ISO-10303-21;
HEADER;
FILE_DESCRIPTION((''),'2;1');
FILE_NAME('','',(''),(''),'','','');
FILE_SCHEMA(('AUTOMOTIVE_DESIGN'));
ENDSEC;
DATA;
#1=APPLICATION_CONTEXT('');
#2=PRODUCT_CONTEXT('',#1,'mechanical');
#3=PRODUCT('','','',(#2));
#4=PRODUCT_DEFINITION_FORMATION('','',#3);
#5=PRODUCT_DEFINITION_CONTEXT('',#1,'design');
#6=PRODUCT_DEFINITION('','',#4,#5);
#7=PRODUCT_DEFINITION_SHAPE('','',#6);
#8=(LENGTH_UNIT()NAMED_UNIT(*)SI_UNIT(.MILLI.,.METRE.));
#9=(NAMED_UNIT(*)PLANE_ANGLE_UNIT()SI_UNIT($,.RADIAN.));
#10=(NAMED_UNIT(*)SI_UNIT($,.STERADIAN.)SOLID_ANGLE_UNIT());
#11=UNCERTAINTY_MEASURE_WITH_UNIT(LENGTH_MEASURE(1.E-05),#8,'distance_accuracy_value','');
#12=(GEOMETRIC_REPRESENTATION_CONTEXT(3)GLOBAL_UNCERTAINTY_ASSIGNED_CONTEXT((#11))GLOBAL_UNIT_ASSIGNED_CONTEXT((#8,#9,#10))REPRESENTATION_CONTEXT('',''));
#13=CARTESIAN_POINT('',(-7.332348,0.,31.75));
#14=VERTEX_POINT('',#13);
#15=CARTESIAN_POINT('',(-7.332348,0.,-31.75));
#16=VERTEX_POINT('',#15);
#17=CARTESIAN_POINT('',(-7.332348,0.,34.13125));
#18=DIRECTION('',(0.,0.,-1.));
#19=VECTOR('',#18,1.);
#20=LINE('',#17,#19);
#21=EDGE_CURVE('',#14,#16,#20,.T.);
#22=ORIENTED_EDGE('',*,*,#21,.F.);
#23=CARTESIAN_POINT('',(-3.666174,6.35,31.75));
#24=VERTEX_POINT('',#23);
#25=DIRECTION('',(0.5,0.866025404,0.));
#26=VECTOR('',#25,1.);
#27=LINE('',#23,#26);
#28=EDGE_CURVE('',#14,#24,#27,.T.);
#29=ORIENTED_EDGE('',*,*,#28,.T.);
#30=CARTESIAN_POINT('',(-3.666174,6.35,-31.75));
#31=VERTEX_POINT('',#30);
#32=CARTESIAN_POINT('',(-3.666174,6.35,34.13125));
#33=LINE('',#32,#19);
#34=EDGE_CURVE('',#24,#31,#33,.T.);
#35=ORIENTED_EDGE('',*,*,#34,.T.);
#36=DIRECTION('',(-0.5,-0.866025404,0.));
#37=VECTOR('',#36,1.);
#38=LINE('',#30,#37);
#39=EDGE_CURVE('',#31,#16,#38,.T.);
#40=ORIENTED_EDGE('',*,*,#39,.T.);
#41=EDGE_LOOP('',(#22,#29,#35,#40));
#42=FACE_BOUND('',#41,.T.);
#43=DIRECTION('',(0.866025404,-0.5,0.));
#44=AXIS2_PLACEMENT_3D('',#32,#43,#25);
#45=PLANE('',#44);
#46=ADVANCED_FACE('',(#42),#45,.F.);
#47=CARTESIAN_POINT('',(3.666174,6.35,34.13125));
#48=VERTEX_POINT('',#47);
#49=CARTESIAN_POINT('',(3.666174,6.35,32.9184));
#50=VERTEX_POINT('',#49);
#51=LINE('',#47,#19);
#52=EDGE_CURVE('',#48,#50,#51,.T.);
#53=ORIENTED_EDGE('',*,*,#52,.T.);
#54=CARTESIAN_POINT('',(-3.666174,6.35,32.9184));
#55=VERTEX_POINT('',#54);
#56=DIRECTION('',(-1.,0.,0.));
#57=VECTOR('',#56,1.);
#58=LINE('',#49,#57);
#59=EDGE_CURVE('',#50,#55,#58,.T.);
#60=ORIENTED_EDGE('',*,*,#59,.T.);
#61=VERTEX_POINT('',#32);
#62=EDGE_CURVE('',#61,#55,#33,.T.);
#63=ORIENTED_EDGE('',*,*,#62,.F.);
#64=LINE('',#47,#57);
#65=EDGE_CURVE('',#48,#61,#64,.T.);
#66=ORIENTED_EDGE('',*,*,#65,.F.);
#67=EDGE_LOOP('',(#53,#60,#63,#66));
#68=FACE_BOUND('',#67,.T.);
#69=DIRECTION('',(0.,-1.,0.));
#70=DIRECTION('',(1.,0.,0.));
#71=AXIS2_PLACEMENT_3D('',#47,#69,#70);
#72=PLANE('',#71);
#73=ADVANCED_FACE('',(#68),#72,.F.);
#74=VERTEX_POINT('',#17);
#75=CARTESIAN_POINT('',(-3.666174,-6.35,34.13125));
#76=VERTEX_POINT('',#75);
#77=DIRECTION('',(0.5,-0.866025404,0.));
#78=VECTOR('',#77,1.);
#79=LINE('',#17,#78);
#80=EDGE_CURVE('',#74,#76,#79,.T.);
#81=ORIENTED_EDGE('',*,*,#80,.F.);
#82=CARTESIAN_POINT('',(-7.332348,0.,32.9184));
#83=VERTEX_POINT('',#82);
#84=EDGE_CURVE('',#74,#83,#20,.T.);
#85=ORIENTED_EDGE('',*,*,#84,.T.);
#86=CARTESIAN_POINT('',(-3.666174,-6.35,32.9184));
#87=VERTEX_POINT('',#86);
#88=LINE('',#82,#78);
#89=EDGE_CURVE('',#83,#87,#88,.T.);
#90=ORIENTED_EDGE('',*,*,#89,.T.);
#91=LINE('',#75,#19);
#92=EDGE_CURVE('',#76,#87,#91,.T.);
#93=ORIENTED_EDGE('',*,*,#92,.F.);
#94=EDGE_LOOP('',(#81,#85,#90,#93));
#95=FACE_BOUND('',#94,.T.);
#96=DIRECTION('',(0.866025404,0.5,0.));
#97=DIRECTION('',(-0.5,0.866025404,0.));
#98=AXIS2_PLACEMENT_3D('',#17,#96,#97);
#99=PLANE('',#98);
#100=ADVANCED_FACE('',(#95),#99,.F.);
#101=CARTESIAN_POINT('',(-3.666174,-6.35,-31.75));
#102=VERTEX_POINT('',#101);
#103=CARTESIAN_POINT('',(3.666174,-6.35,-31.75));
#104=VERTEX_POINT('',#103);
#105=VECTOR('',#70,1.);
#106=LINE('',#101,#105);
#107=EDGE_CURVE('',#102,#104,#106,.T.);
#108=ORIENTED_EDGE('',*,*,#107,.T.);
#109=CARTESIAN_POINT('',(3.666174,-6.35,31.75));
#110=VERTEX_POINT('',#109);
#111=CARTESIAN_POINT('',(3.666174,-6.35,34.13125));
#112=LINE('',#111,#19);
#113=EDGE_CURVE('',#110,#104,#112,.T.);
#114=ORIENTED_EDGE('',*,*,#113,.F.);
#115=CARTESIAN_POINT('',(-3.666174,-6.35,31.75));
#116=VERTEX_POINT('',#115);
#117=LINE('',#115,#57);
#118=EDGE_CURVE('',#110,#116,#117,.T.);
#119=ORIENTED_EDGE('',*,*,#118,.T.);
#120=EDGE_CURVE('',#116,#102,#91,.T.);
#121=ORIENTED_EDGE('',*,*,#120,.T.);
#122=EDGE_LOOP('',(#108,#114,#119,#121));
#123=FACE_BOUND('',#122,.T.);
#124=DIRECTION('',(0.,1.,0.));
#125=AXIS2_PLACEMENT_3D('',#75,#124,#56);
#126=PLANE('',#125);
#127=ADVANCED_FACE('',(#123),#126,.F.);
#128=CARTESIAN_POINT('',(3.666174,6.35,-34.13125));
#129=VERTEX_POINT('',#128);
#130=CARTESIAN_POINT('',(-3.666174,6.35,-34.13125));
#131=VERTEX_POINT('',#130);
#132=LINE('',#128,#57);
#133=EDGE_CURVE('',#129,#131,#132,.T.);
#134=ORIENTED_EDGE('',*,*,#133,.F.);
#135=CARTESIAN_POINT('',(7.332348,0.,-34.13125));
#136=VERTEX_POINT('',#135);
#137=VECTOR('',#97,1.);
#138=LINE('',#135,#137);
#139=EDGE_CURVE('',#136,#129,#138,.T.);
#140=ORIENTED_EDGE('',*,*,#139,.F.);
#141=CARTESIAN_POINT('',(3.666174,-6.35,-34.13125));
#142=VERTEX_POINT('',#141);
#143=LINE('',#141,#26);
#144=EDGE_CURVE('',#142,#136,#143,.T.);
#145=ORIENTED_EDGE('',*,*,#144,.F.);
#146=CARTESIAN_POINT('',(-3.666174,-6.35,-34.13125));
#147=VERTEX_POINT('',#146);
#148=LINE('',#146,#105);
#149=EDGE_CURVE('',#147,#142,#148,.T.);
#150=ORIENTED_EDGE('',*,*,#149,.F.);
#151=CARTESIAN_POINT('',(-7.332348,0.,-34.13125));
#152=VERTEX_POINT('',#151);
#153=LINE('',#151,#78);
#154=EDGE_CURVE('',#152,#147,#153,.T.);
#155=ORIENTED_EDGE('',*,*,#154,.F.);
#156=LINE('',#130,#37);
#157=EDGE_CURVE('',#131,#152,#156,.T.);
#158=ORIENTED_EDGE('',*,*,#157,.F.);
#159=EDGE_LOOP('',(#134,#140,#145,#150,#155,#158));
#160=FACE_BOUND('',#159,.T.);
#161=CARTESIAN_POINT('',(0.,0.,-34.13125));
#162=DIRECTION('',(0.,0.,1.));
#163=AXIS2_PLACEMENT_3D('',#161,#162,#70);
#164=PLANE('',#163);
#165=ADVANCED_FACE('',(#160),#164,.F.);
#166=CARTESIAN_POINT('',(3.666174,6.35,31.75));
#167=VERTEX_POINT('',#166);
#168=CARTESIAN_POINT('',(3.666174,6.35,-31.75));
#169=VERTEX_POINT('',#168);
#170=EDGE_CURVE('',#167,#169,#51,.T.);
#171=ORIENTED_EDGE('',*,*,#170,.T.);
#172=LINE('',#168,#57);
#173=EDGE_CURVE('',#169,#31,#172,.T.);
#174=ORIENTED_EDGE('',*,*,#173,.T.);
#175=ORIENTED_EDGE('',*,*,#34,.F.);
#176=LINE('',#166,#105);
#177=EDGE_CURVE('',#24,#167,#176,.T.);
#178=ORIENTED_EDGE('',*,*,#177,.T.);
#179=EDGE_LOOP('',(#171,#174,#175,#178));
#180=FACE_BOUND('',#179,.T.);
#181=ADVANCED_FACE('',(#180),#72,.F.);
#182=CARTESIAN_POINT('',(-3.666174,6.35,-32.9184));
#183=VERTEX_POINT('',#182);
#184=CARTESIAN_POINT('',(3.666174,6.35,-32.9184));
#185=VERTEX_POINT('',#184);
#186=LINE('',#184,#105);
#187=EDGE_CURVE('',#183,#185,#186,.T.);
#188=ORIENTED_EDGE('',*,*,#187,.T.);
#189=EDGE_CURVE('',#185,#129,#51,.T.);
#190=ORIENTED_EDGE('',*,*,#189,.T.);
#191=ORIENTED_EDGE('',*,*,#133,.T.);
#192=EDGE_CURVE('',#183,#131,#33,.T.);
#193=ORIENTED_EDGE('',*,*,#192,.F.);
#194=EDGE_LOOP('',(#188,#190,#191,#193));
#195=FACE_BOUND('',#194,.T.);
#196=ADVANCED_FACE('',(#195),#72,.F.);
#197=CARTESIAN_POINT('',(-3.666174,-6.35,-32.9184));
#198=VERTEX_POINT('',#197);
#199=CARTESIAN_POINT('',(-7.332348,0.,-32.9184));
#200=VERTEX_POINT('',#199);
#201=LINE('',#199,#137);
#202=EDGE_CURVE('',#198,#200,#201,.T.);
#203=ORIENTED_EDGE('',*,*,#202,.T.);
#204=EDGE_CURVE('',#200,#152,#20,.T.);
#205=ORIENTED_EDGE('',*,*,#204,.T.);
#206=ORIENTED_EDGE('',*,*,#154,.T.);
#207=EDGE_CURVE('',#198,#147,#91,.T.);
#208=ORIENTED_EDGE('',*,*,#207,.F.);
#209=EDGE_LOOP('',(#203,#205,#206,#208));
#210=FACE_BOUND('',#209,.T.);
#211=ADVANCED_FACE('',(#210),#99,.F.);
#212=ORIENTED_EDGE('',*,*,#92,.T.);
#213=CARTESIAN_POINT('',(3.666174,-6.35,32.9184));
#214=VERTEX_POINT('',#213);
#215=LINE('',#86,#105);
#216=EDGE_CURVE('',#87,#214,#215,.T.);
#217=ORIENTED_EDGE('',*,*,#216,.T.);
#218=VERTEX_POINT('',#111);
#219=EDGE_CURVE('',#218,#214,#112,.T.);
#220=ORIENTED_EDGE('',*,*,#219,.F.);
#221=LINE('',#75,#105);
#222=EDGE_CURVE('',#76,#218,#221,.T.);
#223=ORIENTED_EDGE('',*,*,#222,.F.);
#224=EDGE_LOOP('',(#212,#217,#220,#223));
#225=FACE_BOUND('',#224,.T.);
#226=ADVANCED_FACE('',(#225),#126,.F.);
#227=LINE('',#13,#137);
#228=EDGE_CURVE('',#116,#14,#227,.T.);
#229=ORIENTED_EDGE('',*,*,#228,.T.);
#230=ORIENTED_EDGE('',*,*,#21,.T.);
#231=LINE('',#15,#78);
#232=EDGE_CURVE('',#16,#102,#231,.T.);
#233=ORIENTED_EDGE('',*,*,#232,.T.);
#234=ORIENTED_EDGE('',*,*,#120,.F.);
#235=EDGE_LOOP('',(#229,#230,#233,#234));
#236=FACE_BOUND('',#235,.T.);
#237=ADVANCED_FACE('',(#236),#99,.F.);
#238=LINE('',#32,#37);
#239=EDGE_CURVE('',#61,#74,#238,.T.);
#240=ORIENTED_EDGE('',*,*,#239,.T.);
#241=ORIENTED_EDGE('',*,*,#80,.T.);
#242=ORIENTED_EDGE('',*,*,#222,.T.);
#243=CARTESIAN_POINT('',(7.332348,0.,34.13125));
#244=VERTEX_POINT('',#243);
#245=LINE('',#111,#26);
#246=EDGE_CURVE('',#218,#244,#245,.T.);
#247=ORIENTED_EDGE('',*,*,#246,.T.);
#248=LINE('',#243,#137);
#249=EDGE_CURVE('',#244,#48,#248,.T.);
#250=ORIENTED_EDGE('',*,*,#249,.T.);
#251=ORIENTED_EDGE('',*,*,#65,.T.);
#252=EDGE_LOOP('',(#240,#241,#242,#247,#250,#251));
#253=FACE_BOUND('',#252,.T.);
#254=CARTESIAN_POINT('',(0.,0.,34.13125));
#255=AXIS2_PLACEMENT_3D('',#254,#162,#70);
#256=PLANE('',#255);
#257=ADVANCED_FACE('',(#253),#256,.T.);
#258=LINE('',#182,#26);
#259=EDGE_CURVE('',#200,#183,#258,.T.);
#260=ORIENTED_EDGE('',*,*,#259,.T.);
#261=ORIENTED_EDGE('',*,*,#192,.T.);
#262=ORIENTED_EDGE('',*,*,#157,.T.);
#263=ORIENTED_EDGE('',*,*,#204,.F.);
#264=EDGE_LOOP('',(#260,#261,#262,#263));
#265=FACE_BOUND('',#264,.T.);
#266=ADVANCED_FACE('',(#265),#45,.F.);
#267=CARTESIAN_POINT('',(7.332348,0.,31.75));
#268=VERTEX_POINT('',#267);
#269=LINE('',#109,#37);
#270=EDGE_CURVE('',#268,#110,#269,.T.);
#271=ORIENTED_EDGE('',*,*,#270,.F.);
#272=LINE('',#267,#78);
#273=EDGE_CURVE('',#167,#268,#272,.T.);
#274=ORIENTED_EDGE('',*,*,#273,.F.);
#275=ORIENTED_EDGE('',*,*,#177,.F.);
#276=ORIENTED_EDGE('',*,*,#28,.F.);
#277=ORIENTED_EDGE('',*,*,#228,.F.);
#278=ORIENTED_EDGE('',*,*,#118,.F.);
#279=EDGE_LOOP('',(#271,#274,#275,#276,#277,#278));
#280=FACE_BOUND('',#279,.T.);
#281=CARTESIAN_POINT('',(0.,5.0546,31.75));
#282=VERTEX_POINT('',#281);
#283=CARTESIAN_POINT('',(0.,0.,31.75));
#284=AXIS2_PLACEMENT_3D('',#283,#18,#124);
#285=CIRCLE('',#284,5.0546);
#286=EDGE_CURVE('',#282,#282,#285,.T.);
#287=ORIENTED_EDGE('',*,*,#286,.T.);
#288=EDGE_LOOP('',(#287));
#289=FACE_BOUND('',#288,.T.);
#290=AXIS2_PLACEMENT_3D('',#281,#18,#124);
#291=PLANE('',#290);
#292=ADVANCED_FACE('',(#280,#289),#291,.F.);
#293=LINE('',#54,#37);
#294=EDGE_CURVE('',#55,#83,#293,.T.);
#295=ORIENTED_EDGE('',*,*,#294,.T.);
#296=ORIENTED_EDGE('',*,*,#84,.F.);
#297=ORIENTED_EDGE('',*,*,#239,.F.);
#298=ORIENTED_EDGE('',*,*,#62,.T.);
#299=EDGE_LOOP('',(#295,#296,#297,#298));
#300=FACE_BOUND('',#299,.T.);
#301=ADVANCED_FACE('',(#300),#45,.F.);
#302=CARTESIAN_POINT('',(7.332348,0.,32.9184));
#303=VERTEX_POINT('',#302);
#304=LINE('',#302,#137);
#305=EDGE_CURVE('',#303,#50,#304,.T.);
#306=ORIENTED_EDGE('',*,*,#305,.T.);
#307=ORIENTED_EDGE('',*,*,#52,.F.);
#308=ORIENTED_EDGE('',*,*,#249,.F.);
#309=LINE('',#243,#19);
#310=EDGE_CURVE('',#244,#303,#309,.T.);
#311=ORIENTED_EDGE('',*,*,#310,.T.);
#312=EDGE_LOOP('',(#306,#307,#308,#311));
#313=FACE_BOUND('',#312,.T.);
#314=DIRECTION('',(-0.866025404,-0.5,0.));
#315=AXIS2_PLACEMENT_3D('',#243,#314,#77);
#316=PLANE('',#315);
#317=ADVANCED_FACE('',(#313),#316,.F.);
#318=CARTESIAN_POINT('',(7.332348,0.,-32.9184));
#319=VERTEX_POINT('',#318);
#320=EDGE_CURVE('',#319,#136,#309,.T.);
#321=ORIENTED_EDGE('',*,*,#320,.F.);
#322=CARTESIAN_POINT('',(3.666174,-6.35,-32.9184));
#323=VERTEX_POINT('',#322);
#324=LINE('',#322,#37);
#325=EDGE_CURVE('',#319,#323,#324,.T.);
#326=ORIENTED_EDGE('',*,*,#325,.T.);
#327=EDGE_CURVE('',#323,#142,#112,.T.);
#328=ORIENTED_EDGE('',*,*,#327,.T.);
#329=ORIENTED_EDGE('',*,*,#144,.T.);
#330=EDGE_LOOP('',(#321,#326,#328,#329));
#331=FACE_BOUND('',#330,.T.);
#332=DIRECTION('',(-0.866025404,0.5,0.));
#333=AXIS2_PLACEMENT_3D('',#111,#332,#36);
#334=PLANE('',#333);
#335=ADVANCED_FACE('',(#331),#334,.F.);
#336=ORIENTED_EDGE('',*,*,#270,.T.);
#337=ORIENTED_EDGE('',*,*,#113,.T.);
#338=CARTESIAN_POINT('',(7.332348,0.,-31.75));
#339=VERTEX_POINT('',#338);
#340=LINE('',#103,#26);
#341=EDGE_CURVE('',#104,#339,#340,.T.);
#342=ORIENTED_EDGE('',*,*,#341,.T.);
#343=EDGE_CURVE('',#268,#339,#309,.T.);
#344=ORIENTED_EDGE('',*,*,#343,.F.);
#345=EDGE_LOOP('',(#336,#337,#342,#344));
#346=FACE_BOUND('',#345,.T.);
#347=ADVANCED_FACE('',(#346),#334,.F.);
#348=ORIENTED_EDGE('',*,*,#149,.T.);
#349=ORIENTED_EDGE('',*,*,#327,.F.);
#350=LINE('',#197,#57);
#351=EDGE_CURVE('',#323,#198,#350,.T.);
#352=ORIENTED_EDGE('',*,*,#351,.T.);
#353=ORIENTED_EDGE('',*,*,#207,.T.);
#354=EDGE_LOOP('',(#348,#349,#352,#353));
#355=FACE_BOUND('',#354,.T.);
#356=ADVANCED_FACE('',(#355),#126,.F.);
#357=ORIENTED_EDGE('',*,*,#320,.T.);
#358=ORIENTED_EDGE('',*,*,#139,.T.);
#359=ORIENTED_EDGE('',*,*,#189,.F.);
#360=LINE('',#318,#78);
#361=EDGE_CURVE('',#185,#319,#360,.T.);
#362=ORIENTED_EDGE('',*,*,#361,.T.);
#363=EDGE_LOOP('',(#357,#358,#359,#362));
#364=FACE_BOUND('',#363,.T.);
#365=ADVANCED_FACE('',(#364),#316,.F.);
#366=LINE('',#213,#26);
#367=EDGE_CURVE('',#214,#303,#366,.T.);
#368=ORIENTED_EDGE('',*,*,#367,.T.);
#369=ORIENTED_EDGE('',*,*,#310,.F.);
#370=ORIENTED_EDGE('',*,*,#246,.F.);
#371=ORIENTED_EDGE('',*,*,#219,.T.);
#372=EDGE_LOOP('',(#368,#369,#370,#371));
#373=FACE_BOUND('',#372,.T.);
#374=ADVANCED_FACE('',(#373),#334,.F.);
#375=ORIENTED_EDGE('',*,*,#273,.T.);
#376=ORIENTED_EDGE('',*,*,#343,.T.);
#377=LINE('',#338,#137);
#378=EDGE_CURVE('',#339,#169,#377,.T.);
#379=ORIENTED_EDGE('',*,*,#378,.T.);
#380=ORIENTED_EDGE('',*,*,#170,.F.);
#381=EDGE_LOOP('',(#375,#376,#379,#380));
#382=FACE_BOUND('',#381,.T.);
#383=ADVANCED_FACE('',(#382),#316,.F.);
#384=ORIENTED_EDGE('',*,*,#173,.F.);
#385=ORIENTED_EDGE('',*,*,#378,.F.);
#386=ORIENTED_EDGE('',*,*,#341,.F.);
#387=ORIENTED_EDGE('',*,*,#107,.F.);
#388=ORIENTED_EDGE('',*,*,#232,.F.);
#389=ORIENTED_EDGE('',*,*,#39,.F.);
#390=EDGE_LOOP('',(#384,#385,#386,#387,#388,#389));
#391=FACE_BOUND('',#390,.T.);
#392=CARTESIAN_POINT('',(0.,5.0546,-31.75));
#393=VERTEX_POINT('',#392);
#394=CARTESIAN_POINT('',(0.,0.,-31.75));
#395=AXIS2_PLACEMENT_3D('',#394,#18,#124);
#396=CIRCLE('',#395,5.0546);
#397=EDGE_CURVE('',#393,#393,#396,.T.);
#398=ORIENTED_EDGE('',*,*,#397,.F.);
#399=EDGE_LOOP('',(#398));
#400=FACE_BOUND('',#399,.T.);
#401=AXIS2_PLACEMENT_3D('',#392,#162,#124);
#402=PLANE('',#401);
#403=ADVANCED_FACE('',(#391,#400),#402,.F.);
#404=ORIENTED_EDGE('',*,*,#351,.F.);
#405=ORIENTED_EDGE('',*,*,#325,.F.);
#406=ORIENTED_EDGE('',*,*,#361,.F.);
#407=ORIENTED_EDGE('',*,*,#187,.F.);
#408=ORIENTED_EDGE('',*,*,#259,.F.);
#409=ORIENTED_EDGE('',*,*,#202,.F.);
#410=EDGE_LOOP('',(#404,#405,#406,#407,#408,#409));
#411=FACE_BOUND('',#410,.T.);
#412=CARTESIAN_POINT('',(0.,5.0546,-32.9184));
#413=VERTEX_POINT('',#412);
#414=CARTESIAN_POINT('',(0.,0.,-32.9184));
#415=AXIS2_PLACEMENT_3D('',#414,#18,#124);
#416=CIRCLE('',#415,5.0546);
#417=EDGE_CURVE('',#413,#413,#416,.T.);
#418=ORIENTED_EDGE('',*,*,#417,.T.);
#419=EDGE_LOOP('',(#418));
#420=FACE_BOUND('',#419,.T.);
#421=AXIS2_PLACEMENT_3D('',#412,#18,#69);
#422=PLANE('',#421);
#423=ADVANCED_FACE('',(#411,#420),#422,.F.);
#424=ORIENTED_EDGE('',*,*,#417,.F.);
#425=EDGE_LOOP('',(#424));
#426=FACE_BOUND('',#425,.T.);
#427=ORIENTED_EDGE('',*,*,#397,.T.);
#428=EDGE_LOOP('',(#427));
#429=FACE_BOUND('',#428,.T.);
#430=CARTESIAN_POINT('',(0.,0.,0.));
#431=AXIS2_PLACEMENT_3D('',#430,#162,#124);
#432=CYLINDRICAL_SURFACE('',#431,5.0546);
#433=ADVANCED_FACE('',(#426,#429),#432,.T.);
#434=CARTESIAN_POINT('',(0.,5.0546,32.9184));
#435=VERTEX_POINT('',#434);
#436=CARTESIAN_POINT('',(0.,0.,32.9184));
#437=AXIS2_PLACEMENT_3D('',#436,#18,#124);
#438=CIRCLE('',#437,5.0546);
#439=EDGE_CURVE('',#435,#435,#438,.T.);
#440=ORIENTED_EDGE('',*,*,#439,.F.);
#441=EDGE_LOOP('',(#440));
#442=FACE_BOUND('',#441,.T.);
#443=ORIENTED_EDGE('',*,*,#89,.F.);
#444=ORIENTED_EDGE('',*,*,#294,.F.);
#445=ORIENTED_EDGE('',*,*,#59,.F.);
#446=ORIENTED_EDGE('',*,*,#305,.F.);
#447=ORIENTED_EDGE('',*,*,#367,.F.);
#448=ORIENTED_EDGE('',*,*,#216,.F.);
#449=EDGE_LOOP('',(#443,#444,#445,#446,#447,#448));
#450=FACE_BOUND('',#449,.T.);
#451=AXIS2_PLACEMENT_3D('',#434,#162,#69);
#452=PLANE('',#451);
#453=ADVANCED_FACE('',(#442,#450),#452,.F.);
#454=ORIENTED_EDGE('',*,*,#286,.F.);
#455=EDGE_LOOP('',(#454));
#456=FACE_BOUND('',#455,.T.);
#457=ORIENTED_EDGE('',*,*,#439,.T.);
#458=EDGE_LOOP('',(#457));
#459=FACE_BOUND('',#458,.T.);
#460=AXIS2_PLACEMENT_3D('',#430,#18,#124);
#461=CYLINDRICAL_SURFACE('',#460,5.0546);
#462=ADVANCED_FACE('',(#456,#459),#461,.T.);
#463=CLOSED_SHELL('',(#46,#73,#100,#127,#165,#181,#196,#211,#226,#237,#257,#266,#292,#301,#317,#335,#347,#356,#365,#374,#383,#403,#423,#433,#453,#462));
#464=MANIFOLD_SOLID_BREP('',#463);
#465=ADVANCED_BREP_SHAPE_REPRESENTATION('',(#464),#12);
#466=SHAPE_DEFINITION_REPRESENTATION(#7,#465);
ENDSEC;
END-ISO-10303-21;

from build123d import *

# Parameters (mm, degrees)
BOSS_EXTRUDE1_DEPTH = 34.13125
SKETCH2_W           = 1.1684
SKETCH2_H           = 4.415483176


with BuildPart() as part:
    # Sketch1 → Boss-Extrude1 (new, symmetric)
    with BuildSketch(Plane.XY):
        Polygon((-3.666174209, 6.35), (-7.332348419, 0), (-3.666174209, -6.35), (3.666174209, -6.35), (7.332348419, 0), (3.666174209, 6.35), align=None)
    extrude(amount=BOSS_EXTRUDE1_DEPTH, both=True)

    # Sketch2 → Cut-Revolve1 (revolve, cut)
    with BuildSketch(Plane(origin=(0, 0, 0), x_dir=(0, 0, -1), z_dir=(1, 0, 0))):
        with Locations((-32.3342, 7.262341588)):
            Rectangle(SKETCH2_W, SKETCH2_H)
    cut_revolve1 = revolve(axis=Axis((0, 0, 0), (0, 0, 1)), mode=Mode.SUBTRACT)

    # Mirror1: Cut-Revolve1 across plane
    add(cut_revolve1.mirror(Plane.XY), mode=Mode.SUBTRACT)


solid = part.part
